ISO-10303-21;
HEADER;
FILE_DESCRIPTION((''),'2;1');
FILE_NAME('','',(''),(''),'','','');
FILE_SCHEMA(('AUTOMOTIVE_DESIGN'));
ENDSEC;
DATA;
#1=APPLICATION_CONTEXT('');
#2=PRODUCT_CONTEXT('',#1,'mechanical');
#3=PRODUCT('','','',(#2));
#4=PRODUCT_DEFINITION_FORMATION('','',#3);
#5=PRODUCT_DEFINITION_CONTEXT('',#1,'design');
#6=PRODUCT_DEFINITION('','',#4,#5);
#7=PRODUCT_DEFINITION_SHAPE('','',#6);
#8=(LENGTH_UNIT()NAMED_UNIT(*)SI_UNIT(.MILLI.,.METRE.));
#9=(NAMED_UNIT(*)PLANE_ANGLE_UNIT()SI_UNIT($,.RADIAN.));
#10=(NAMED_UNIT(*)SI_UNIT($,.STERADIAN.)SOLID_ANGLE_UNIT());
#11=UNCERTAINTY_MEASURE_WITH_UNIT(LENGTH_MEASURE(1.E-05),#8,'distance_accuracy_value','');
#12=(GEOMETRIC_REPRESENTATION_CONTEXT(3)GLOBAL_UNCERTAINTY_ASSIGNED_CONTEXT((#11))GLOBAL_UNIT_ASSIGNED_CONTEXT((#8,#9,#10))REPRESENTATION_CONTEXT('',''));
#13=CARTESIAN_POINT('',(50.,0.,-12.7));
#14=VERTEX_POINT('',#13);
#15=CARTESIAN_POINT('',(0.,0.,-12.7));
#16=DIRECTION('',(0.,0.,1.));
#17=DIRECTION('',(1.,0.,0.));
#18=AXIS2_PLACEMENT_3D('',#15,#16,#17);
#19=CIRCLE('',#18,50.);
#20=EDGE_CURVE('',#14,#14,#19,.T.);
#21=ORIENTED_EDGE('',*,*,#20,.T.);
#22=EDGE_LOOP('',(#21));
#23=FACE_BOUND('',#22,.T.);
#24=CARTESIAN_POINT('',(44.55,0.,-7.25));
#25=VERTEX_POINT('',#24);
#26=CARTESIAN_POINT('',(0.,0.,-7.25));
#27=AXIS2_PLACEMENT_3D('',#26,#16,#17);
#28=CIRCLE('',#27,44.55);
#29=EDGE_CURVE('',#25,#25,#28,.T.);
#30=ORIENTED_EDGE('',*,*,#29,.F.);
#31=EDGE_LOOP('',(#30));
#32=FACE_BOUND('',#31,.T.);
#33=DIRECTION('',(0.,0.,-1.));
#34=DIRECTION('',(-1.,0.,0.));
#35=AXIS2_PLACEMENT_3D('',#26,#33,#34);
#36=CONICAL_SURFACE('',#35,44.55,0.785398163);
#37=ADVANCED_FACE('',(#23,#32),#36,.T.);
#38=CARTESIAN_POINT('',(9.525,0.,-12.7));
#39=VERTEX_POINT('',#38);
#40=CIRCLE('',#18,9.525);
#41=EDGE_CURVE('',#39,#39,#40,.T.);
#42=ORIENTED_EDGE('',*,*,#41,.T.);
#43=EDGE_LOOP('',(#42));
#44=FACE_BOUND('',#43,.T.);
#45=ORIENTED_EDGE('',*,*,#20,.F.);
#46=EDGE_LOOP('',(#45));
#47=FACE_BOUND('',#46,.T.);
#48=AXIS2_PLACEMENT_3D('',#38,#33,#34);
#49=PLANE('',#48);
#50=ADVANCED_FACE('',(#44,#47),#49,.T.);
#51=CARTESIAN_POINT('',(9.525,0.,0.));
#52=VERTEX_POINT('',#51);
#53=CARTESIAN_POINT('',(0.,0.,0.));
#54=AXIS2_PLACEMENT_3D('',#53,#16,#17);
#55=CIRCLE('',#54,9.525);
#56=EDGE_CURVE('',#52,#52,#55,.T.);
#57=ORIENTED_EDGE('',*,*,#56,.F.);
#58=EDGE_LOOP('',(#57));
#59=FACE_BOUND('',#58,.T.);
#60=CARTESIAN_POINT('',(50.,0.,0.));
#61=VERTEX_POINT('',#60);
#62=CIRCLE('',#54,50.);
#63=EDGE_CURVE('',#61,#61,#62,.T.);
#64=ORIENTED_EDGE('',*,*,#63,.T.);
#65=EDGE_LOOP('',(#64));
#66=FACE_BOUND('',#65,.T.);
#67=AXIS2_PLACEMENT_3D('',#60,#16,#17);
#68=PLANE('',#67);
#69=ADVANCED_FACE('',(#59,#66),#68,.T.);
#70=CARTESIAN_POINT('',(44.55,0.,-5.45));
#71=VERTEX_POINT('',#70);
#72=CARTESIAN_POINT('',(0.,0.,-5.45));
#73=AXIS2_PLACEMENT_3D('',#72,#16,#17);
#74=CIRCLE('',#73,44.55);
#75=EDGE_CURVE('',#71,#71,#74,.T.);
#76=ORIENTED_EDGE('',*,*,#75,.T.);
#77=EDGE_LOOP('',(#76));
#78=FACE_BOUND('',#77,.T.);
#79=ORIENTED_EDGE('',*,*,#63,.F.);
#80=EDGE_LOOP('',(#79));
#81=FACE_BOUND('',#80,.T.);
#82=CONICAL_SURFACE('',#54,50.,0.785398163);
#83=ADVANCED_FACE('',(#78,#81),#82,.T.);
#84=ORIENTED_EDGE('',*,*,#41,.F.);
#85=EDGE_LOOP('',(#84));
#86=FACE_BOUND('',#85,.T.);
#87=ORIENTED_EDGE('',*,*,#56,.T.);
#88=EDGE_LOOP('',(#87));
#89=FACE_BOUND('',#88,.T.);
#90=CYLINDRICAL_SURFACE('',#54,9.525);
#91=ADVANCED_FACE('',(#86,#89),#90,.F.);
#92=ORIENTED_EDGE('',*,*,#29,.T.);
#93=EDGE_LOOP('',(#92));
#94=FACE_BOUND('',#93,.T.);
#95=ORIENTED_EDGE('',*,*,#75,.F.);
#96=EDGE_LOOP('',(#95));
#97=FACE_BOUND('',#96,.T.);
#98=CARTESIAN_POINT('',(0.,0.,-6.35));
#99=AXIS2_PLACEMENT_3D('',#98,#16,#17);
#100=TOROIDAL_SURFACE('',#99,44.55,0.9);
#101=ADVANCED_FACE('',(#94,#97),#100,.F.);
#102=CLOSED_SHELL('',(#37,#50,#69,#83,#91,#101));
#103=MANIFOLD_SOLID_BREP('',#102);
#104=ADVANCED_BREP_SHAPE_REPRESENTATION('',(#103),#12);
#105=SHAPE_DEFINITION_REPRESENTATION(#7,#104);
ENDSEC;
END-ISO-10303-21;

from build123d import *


with BuildPart() as part:
    # Sketch1 → Revolve1 (revolve)
    with BuildSketch(Plane(origin=(0, 0, 0), x_dir=(1, 0, 0), z_dir=(0, 1, 0))):
        with BuildLine():
            Line((9.525, 0), (9.525, 12.7))
            Line((9.525, 12.7), (50, 12.7))
            Line((50, 12.7), (44.55, 7.25))
            ThreePointArc((44.55, 7.25), (43.65, 6.35), (44.55, 5.45))
            Line((44.55, 5.45), (50, 0))
            Line((50, 0), (9.525, 0))
        make_face()
    revolve(axis=Axis((0, 0, 0), (0, 0, -1)))


solid = part.part
